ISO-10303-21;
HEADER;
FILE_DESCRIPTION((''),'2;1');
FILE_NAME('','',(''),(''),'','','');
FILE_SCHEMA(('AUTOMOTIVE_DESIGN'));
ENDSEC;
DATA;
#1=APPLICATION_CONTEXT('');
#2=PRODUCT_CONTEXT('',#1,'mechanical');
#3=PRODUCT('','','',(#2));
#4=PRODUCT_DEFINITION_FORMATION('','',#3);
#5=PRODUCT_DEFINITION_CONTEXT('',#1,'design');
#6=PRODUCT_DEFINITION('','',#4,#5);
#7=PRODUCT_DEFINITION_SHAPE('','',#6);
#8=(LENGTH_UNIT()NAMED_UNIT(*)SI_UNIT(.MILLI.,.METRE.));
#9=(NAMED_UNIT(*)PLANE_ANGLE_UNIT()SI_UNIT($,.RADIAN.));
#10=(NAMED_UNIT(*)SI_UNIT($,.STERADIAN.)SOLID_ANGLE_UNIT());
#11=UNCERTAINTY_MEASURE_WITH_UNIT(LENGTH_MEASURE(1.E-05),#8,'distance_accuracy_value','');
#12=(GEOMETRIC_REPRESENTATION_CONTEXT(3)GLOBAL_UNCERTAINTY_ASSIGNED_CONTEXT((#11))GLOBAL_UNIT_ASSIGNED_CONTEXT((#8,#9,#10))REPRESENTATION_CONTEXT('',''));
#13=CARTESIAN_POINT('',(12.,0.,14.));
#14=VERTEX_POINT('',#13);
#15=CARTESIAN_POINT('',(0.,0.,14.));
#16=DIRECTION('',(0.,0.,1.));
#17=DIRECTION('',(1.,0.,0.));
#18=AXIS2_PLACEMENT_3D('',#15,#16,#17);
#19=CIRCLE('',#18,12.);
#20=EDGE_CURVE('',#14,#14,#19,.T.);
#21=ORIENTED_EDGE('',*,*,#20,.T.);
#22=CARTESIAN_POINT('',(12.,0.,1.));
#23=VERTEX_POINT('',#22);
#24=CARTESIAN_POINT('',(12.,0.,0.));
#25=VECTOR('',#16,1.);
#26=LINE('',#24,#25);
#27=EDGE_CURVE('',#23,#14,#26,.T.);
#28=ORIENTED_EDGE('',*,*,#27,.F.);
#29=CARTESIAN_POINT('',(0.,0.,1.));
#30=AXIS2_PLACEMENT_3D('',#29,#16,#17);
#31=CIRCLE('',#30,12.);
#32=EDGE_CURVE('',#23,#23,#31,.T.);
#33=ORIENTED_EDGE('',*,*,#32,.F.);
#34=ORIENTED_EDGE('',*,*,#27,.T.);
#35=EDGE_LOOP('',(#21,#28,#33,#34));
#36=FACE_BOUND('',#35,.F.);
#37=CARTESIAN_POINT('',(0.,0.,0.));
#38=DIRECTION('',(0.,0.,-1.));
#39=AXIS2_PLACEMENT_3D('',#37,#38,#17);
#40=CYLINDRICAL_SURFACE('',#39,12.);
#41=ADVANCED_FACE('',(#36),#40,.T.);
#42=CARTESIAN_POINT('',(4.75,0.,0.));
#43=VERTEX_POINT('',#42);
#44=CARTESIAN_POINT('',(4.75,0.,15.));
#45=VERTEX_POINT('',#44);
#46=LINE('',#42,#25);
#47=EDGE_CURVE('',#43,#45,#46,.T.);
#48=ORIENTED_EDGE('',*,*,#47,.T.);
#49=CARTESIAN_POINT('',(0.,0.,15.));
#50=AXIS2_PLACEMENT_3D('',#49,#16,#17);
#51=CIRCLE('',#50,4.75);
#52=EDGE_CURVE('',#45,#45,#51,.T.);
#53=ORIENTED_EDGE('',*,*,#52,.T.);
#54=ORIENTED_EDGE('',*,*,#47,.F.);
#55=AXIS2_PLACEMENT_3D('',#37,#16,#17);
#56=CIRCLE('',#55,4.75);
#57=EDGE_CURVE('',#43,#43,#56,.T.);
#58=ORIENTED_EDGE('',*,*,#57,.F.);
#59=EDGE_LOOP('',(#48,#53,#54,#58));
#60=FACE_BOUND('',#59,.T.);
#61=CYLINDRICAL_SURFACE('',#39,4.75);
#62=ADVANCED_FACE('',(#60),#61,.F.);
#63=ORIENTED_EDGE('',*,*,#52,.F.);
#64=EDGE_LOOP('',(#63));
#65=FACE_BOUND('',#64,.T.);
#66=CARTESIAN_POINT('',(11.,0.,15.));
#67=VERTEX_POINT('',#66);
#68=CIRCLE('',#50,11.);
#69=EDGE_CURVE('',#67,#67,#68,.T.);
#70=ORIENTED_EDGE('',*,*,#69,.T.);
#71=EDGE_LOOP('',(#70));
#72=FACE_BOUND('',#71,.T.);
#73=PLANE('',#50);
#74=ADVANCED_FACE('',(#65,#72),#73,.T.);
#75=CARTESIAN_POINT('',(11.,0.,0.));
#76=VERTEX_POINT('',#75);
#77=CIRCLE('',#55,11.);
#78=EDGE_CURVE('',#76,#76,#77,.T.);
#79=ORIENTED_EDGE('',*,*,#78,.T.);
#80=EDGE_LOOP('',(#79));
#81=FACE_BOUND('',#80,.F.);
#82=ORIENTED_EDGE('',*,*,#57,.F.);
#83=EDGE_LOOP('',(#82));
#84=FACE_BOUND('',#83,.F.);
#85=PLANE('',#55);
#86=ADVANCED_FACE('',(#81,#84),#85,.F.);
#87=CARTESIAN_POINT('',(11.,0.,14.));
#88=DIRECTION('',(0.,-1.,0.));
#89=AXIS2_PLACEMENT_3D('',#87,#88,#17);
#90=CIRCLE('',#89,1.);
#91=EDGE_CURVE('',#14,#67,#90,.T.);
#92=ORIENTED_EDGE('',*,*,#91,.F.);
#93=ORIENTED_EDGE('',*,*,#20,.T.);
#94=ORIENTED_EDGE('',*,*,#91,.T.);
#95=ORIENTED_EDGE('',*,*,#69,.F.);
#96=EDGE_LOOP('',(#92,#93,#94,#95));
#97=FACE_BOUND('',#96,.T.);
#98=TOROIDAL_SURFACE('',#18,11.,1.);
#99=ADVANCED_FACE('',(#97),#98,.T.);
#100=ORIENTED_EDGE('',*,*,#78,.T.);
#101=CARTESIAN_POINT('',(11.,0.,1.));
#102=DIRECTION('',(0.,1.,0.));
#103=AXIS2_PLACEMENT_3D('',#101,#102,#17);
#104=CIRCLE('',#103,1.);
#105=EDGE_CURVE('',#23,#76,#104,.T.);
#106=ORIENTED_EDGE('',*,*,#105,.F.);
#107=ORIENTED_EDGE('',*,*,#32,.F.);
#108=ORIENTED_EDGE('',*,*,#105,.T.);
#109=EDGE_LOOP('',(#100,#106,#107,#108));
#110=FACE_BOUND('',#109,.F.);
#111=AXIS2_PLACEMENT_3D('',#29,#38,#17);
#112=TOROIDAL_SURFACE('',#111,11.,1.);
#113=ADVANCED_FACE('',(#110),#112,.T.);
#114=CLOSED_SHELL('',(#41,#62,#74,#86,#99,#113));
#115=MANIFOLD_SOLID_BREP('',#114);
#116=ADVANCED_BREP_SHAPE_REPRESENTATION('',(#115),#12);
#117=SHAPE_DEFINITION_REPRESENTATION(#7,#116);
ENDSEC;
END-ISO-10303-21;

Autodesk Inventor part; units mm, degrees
ref_plane "YZ Plane" through (0, 0, 0) normal (1, 0, 0) x (0, 1, 0)
ref_plane "XZ Plane" through (0, 0, 0) normal (0, 1, 0) x (-1, 0, 0)
ref_plane "XY Plane" through (0, 0, 0) normal (0, 0, 1) x (1, 0, 0)
sketch "Эскиз1" plane through (0, 0, 0) normal (0, 0, 1) x (1, 0, 0)
  circle A0 centre (0, 0) radius 12
  circle A1 centre (0, 0) radius 4.75
  dimension "d0" = 24
  dimension "d1" = 9.5
extrude "Выдавливание1" add sketch "Эскиз1" along normal blind 15
fillet "Сопряжение1" radius 1 2 edges at (-12, 0, 15) (-12, 0, 0)
properties part number "paris_bushing"
